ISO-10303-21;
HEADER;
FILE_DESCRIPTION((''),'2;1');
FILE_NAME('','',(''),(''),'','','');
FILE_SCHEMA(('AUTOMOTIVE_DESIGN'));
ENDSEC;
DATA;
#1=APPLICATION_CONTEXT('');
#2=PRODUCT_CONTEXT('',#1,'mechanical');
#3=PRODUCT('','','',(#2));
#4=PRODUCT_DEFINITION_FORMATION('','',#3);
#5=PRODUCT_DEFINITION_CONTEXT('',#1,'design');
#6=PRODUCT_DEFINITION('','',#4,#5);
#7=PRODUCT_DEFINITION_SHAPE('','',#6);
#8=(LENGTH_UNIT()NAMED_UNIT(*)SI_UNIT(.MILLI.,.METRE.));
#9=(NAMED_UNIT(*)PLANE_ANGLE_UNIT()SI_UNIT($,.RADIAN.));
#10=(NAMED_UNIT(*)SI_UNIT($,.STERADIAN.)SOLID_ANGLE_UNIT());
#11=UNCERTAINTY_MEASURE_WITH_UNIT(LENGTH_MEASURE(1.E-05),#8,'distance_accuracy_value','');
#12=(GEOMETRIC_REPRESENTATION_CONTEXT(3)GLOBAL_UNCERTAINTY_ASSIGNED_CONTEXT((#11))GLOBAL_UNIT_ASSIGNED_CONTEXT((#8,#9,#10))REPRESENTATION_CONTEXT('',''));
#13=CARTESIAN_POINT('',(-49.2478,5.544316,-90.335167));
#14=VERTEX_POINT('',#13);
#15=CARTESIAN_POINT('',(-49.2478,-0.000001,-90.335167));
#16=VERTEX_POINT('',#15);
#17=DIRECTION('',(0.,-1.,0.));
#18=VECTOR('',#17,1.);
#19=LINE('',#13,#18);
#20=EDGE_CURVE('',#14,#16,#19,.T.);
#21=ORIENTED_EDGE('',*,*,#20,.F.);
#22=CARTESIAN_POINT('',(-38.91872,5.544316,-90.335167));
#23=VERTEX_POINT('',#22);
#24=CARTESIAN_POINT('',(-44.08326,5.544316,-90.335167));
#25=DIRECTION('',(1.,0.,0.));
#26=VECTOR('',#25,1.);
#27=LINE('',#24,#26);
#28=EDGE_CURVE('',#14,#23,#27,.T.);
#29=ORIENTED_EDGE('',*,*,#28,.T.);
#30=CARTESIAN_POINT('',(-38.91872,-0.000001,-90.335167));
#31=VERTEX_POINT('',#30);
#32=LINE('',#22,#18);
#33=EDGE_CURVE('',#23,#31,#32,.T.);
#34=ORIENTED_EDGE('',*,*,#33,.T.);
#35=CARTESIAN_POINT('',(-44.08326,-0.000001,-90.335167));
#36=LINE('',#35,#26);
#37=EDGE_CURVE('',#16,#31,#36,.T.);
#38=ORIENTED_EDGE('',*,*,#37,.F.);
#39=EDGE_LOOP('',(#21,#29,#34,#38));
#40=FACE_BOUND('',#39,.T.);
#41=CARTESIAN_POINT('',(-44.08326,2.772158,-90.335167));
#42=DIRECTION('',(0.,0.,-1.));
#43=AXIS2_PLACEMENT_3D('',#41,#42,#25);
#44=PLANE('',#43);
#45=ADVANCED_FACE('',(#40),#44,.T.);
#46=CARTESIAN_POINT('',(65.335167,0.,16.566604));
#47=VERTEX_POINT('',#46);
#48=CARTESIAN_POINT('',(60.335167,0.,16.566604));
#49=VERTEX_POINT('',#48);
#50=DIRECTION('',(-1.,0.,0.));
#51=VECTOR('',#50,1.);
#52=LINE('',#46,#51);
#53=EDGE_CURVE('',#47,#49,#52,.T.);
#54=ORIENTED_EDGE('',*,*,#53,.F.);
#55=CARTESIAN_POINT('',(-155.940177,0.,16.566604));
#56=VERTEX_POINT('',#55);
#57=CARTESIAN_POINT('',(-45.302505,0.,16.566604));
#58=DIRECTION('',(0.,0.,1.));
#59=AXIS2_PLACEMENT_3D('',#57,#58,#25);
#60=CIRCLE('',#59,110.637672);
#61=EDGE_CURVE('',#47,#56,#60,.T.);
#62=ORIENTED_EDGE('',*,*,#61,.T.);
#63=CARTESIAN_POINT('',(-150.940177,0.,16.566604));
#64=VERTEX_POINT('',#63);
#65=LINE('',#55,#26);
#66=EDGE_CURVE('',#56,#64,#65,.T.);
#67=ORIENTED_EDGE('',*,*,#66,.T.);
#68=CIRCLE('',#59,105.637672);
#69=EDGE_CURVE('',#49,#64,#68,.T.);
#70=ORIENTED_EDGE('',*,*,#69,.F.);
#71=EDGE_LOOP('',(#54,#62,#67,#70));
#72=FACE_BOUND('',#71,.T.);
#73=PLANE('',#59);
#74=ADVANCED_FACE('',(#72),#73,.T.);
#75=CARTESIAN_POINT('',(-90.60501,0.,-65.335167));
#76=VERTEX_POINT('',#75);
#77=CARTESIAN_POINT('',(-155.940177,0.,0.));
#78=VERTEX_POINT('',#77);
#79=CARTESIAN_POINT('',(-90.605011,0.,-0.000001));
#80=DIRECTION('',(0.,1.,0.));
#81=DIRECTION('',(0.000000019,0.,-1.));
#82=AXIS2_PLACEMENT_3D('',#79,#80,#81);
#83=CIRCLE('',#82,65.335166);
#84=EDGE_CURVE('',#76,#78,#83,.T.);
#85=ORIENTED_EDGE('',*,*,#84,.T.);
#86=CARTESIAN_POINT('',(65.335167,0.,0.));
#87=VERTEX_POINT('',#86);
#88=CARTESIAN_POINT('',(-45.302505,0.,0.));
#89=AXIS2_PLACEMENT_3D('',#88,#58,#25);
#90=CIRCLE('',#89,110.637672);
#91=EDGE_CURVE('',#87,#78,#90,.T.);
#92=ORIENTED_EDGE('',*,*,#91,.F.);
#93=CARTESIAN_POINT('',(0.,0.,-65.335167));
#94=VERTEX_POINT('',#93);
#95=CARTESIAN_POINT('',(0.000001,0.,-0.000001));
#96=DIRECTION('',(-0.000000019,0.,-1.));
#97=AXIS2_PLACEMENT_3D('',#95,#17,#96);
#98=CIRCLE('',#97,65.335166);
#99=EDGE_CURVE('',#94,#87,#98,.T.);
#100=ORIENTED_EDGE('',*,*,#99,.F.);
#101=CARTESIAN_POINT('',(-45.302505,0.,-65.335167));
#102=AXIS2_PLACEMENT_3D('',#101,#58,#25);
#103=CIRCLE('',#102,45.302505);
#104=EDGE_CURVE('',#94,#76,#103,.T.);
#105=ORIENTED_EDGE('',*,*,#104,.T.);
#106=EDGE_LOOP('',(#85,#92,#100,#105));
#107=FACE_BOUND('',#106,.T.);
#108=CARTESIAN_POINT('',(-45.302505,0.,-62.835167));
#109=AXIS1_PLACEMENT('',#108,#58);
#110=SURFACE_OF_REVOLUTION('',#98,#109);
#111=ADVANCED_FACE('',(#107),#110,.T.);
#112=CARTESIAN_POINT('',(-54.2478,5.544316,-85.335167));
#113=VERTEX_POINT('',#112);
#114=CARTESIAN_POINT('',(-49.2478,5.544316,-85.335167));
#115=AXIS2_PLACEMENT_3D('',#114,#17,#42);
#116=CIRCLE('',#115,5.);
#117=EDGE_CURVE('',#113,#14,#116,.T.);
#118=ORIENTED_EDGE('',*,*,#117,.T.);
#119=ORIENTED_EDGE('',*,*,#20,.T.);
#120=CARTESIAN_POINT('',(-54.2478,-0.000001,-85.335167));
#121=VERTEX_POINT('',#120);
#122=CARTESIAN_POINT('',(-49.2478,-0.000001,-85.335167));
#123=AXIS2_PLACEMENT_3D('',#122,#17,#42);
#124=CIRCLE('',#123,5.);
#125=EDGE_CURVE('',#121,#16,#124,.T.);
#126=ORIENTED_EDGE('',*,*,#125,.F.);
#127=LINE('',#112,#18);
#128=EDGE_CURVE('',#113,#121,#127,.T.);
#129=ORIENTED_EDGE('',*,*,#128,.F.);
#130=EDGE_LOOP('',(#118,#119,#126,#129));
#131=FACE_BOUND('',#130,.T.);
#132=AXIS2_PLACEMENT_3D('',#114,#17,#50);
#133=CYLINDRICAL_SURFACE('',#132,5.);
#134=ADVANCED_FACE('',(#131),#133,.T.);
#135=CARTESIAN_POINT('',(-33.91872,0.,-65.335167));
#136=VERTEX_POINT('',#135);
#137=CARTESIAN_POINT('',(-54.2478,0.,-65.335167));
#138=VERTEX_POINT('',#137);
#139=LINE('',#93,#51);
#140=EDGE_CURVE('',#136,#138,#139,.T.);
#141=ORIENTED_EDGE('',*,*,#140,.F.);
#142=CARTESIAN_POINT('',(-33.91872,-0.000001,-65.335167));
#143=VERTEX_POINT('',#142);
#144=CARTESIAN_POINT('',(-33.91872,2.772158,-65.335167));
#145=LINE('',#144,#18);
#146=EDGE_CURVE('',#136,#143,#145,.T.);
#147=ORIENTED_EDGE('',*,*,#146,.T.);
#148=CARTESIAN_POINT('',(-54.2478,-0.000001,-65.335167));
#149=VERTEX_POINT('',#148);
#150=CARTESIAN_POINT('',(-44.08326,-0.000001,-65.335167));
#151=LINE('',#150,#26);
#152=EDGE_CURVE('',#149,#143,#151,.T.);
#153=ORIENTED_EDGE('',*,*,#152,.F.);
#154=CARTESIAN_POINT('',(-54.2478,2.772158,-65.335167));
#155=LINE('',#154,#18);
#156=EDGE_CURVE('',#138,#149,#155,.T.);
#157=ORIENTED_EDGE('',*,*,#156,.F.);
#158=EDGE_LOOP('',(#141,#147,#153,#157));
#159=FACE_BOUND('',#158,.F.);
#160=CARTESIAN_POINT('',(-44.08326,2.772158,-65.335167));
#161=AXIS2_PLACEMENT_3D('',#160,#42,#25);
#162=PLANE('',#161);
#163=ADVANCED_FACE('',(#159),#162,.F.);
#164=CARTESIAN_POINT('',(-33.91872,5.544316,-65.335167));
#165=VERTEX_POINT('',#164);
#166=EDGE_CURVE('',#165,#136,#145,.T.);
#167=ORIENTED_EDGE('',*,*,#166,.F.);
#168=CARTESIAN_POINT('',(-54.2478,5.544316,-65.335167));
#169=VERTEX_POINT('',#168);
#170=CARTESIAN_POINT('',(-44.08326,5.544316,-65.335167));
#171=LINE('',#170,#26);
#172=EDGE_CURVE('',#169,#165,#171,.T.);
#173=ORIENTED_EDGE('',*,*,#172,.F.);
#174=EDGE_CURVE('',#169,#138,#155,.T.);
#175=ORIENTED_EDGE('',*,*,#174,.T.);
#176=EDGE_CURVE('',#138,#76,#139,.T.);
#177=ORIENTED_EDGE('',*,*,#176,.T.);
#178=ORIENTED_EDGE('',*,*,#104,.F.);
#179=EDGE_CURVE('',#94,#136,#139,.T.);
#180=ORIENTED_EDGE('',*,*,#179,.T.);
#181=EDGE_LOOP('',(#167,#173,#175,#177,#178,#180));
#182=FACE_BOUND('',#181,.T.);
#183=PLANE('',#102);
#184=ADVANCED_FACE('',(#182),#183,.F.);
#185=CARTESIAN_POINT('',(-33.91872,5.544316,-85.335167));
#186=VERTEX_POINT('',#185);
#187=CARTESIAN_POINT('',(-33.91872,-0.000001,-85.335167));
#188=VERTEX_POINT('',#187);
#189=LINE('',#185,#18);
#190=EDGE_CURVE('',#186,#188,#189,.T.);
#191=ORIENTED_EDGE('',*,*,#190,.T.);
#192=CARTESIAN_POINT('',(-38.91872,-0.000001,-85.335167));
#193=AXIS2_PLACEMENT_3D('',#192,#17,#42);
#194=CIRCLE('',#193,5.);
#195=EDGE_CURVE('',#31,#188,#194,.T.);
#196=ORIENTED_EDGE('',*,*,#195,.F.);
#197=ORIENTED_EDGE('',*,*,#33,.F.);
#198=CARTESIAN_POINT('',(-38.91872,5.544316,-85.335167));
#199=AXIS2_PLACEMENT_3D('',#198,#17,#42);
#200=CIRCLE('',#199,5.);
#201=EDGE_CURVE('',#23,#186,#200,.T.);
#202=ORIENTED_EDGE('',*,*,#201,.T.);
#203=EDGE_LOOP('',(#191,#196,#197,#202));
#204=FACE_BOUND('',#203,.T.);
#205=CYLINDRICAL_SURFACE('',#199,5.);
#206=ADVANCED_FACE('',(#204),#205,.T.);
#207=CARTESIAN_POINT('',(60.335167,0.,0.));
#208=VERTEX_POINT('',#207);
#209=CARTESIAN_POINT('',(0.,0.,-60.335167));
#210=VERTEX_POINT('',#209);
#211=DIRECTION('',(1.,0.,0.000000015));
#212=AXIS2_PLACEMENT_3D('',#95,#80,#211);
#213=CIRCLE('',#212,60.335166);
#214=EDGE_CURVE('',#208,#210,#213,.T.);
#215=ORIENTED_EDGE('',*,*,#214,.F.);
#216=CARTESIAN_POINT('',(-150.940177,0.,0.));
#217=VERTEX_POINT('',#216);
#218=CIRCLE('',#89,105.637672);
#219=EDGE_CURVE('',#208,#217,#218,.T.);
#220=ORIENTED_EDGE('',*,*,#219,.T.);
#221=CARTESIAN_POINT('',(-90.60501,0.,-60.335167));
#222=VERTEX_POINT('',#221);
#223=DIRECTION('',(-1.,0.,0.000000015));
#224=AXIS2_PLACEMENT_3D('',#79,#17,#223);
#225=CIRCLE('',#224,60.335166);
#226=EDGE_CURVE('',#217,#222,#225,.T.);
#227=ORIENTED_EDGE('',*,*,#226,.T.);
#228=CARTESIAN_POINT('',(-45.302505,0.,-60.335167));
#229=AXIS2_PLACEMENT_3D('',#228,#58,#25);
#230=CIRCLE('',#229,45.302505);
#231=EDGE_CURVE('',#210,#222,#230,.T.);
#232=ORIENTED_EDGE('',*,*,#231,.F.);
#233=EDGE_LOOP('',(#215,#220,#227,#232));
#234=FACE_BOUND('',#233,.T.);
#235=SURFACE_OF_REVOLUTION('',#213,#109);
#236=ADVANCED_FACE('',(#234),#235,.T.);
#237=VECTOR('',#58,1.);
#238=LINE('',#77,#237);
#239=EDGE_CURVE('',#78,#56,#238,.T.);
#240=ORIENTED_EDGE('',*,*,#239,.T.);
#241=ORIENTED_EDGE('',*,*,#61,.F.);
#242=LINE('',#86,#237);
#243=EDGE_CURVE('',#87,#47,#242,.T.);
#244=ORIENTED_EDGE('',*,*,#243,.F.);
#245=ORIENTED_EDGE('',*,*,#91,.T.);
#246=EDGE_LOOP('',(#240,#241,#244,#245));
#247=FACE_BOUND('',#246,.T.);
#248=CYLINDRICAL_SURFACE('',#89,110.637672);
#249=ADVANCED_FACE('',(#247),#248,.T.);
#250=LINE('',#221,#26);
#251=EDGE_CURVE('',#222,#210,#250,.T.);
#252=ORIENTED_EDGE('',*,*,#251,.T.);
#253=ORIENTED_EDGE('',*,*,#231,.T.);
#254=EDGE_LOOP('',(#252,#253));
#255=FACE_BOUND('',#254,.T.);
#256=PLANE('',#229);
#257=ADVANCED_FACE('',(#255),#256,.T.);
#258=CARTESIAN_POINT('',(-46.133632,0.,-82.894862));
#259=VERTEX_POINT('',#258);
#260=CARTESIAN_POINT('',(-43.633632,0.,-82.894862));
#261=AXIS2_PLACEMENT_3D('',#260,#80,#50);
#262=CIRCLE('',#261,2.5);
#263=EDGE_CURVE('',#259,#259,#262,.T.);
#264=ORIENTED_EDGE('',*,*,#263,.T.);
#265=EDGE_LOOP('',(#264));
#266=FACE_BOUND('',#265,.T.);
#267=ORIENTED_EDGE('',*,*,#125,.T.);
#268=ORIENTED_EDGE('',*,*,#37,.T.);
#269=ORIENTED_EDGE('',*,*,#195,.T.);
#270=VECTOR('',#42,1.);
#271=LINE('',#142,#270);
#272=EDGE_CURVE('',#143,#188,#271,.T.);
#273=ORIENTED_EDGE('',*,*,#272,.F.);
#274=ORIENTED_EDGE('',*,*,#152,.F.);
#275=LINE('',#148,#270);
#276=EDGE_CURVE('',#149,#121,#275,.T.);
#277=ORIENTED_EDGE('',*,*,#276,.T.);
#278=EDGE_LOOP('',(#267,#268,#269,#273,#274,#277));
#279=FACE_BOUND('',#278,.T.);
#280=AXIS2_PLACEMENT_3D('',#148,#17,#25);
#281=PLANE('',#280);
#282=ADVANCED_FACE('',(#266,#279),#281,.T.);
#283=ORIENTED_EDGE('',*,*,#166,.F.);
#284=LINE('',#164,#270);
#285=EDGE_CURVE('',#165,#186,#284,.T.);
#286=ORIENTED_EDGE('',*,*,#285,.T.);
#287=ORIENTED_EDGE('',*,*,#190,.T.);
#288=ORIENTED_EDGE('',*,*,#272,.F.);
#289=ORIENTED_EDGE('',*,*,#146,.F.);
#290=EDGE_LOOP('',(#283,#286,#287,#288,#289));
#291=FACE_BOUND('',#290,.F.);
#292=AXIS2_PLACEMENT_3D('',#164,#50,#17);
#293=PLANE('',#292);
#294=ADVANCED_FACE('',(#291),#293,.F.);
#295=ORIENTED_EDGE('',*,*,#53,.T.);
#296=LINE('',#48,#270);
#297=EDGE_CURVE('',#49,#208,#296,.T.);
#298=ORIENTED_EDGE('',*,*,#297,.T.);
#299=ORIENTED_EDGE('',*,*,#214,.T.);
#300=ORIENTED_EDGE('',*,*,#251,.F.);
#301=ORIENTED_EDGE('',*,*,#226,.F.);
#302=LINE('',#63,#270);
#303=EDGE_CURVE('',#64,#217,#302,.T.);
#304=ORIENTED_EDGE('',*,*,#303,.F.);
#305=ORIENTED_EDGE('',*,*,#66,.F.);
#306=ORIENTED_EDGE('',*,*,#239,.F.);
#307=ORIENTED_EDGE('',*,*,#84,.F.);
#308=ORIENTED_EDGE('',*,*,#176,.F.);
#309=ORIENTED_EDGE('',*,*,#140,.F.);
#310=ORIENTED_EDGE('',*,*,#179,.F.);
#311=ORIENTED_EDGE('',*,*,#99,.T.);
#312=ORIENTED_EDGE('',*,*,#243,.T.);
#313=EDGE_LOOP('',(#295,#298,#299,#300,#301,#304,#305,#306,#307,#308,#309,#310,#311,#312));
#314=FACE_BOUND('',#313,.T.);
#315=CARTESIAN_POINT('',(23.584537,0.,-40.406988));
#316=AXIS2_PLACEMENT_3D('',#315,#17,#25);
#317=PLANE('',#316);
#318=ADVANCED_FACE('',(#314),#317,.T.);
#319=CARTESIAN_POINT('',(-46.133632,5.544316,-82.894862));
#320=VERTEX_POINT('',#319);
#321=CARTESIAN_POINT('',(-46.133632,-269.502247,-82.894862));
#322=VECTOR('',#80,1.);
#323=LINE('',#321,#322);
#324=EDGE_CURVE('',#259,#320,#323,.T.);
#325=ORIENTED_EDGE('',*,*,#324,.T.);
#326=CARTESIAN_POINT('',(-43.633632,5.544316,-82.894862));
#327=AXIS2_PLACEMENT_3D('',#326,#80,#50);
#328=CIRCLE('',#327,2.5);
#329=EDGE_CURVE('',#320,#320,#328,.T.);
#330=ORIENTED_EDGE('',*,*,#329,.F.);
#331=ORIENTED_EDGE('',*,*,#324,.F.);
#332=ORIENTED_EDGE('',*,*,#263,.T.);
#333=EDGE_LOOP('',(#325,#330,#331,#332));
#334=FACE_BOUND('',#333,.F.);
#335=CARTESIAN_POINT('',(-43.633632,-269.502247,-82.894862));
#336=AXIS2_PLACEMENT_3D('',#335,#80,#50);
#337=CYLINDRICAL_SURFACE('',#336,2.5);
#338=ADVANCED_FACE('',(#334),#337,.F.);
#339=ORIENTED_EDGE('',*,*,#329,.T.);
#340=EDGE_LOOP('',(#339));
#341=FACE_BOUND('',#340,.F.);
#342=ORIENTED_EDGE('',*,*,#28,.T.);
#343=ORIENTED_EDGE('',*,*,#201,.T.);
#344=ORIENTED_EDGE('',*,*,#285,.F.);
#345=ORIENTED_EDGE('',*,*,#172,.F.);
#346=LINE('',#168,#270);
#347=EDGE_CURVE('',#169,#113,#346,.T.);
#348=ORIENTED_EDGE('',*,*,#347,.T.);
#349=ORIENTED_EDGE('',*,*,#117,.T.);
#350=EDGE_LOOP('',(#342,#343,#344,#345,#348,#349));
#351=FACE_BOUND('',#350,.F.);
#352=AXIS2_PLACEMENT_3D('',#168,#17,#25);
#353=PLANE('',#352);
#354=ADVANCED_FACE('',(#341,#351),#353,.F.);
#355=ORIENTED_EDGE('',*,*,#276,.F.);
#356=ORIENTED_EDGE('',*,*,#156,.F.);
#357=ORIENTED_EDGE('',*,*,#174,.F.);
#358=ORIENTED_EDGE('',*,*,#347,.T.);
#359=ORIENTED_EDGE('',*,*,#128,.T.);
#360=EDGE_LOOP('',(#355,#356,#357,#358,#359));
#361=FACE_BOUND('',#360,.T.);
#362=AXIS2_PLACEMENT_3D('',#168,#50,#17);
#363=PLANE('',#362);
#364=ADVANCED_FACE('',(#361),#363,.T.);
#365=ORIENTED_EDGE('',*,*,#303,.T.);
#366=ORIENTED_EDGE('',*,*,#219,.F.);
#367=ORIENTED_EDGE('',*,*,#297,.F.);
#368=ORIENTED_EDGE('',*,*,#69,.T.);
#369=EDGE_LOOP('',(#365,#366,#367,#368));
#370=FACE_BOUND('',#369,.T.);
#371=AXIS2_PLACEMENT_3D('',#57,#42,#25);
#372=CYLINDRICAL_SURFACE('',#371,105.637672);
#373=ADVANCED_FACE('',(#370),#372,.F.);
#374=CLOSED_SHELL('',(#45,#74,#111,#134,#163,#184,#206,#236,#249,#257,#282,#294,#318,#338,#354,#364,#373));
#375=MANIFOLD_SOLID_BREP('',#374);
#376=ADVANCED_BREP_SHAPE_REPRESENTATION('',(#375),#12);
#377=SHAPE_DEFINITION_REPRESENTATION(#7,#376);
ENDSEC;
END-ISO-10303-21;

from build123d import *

# Parameters (mm, degrees)
F1_ANGLE = 180
F2_W     = 20.32908
F2_H     = 5.544317
F3_DEPTH = 25
F4_R     = 5
F6_D     = 5


with BuildPart() as f1:
    # F0 (on Front) → F1 (revolve)
    with BuildSketch(Plane.XZ):
        with BuildLine():
            Line((-45.302505, -65.335167), (0, -65.335167))
            ThreePointArc((0, -65.335167), (46.19894, -46.19894), (65.335167, 0))
            Line((65.335167, 0), (65.335167, 16.566604))
            Line((65.335167, 16.566604), (60.335167, 16.566604))
            Line((60.335167, 16.566604), (60.335167, 0))
            ThreePointArc((60.335167, 0), (42.663406, -42.663406), (0, -60.335167))
            Line((0, -60.335167), (-45.302505, -60.335167))
            Line((-45.302505, -60.335167), (-45.302505, -65.335167))
        make_face()
    revolve(axis=Axis((-45.302505, 0, -62.835167), (0, 0, 1)), revolution_arc=F1_ANGLE)

    # F2 (on face) → F3 (join)
    with BuildSketch(Plane(origin=(0, 0, -65.335167), x_dir=(1, 0, 0), z_dir=(0, 0, -1))):
        with Locations((-44.08326, -2.772158)):
            Rectangle(F2_W, F2_H)
    extrude(amount=F3_DEPTH)

    # F4
    f4_edges = [f1.edges().sort_by_distance(p)[0] for p in [
        (-33.91872, 2.772159, -90.335167),
        (-54.2478, 2.772159, -90.335167),
    ]]
    fillet(f4_edges, radius=F4_R)

    # F6 (through all)
    with Locations(Plane.XZ):
        with Locations((-43.633632, -82.894862)):
            Hole(F6_D / 2)


solid = f1.part
